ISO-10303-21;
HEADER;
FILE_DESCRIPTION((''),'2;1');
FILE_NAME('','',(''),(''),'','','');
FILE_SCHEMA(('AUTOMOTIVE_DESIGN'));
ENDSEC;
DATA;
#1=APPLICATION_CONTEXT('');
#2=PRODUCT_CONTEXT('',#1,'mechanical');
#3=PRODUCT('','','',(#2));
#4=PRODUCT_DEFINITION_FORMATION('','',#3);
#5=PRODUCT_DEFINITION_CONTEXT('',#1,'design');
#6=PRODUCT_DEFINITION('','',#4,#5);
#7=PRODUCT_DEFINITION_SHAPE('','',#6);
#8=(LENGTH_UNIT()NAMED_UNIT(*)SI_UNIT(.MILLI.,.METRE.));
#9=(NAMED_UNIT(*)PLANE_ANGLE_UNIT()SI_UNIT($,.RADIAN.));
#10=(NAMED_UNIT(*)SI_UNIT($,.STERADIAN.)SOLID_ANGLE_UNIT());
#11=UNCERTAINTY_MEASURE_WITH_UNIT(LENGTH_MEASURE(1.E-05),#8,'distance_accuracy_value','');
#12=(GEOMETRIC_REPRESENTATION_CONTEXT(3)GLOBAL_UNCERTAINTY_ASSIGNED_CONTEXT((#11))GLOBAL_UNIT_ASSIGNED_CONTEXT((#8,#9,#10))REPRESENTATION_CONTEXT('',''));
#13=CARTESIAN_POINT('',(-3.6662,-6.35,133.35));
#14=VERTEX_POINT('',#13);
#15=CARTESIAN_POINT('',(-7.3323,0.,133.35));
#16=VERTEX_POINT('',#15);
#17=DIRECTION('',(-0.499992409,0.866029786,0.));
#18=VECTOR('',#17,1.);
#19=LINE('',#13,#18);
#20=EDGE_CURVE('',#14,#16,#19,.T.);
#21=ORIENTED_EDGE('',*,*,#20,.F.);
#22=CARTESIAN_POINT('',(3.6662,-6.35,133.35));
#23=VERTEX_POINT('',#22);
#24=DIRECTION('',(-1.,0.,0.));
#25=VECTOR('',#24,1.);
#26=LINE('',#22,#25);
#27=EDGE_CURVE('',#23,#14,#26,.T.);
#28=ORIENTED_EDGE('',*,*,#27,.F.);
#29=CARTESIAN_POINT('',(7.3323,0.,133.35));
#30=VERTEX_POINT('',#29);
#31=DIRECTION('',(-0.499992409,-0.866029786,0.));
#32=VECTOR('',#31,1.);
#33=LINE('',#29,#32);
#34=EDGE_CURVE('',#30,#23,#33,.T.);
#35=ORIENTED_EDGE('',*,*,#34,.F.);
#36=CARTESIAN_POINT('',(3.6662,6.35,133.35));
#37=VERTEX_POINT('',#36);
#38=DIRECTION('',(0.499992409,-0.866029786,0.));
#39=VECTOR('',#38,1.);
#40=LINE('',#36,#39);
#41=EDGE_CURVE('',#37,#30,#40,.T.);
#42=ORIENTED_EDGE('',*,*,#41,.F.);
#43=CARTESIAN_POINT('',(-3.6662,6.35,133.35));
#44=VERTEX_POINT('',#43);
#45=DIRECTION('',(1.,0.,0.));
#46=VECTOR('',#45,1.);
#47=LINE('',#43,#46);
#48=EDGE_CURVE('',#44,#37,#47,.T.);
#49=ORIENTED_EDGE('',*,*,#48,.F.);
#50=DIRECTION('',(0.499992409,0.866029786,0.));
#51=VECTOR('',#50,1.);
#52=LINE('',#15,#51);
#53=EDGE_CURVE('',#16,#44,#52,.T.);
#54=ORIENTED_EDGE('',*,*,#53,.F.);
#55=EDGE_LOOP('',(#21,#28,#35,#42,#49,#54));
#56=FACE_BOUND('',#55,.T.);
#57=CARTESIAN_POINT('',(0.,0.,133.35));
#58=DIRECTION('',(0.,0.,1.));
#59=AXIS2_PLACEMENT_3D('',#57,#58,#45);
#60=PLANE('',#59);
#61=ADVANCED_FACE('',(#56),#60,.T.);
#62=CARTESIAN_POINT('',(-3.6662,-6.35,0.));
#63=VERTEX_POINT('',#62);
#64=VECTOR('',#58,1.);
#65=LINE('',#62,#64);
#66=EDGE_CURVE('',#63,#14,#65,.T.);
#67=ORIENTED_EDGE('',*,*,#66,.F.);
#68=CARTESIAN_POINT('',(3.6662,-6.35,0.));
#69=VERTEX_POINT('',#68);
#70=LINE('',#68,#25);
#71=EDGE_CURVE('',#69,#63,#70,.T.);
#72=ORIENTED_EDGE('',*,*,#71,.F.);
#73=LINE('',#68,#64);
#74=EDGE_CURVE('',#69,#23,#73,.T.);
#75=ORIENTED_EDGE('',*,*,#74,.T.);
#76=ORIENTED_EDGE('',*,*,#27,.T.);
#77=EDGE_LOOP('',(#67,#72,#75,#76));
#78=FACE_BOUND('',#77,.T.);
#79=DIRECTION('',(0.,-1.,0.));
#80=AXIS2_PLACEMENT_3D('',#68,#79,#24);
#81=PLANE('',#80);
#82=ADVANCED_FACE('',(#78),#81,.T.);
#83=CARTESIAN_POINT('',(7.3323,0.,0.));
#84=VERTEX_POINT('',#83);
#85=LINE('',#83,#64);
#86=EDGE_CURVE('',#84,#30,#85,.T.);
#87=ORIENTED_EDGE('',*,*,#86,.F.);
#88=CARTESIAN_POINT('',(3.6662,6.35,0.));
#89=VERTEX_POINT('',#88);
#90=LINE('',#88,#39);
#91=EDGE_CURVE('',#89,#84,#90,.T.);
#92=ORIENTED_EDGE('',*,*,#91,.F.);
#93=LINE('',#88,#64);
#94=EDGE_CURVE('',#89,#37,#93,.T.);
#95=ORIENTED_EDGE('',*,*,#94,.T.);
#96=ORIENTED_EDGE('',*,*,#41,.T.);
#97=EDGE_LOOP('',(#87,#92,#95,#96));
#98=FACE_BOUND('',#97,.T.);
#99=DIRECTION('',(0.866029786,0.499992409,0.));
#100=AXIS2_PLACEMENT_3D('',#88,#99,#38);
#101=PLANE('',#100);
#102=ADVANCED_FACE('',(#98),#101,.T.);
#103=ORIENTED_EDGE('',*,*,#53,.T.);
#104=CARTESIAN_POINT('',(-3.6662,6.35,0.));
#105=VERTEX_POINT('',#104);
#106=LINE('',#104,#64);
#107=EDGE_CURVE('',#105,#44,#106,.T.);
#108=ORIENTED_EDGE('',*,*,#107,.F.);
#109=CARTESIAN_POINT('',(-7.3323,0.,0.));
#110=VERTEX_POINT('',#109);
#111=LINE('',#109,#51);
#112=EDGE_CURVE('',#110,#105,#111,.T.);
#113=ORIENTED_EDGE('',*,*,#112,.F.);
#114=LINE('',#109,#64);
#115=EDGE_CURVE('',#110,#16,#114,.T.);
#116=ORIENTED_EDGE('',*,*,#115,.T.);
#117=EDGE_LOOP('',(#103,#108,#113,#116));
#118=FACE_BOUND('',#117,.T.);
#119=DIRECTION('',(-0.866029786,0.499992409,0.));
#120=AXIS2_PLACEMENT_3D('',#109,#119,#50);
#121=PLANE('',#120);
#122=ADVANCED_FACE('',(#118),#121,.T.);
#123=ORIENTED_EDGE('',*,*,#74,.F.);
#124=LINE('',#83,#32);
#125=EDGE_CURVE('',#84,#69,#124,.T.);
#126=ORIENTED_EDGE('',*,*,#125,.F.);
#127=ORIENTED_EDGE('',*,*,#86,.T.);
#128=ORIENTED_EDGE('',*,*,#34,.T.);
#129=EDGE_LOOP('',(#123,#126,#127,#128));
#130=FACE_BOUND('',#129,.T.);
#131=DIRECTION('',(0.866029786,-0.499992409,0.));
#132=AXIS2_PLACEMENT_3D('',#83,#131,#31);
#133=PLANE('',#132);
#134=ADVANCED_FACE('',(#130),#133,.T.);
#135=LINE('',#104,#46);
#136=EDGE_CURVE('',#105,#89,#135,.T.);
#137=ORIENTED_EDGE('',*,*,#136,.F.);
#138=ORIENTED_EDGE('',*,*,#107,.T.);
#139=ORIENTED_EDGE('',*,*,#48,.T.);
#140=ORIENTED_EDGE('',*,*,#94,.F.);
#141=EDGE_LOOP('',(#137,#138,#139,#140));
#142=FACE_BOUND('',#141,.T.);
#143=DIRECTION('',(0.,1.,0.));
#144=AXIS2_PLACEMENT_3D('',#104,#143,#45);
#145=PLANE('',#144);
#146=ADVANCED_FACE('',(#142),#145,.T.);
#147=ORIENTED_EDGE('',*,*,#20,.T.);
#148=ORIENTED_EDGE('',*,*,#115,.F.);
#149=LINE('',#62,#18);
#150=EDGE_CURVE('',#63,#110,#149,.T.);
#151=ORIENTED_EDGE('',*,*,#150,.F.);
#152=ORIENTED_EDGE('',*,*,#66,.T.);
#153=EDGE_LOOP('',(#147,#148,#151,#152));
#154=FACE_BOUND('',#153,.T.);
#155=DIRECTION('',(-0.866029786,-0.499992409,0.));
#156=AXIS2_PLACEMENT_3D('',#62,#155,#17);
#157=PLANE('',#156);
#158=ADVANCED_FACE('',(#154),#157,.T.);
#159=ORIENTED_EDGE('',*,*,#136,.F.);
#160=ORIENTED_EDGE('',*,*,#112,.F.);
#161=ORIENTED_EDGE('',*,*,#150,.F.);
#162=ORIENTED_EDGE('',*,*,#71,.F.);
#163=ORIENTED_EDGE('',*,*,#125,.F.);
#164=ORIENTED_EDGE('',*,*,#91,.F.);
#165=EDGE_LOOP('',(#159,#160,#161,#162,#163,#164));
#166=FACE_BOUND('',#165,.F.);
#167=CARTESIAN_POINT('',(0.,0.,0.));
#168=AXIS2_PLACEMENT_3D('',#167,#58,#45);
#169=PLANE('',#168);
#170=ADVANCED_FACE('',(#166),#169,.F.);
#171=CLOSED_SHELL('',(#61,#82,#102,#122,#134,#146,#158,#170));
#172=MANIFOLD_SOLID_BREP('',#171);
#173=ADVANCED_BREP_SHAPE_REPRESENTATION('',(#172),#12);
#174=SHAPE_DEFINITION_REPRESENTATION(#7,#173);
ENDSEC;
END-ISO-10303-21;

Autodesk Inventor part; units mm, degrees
ref_plane "YZ Plane" through (0, 0, 0) normal (1, 0, 0) x (0, 1, 0)
ref_plane "XZ Plane" through (0, 0, 0) normal (0, 1, 0) x (-1, 0, 0)
ref_plane "XY Plane" through (0, 0, 0) normal (0, 0, 1) x (1, 0, 0)
sketch "Sketch1" plane through (0, 0, 0) normal (0, 0, 1) x (1, 0, 0)
  line L0 (7.3323, 0) -> (3.6662, -6.35)
  line L1 (3.6662, -6.35) -> (-3.6662, -6.35)
  line L2 (-3.6662, -6.35) -> (-7.3323, 0)
  line L3 (-7.3323, 0) -> (-3.6662, 6.35)
  line L4 (-3.6662, 6.35) -> (3.6662, 6.35)
  line L5 (3.6662, 6.35) -> (7.3323, 0)
  point P0 (0, 0)
  point P1 (0, 0)
  dimension "d3" = 12.7
extrude "Extrusion1" add sketch "Sketch1" along normal blind 133.35
properties part number "525 hex shaft"
